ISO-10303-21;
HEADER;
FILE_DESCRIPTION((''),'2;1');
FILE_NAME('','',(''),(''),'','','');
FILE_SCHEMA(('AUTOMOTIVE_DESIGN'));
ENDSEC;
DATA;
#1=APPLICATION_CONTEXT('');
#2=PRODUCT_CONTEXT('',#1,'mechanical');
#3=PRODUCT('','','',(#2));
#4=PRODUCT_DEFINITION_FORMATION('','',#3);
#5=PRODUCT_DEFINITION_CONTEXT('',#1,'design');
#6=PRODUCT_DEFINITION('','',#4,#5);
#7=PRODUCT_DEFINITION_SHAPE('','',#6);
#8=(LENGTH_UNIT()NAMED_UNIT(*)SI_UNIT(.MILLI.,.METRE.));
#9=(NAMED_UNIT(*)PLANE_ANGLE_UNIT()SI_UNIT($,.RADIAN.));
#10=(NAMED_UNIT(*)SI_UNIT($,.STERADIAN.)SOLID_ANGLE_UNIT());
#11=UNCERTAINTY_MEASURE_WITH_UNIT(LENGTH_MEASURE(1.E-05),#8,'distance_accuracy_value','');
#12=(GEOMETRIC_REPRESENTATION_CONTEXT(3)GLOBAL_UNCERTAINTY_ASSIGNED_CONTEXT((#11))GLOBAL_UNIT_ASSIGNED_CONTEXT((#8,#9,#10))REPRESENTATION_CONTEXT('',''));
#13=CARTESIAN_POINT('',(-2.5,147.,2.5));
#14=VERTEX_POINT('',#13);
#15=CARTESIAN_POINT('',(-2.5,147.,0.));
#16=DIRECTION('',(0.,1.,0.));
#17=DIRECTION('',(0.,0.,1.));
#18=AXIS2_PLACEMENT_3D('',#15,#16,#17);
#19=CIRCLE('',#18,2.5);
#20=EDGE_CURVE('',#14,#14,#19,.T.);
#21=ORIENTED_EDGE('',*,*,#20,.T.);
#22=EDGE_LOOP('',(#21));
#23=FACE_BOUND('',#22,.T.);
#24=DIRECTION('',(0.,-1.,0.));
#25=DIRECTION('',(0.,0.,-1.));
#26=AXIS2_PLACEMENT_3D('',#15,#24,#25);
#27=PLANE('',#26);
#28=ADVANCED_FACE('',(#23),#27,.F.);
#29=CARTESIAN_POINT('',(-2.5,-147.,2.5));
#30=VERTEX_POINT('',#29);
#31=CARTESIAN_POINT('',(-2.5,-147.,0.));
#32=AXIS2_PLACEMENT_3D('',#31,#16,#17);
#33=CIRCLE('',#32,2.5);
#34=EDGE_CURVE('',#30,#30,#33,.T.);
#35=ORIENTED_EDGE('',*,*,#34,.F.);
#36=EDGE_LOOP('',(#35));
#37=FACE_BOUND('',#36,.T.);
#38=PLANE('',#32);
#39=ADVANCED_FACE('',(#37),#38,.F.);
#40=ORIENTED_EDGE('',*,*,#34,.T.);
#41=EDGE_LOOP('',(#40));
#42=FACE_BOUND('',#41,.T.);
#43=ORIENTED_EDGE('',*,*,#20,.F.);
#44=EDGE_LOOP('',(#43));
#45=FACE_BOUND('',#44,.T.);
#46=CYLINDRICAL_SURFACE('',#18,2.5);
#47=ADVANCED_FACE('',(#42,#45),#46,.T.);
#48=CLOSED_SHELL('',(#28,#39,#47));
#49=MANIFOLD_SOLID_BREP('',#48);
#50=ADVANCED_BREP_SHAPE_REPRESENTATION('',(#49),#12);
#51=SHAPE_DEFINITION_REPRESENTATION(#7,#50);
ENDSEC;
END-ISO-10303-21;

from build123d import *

# Parameters (mm, degrees)
SKETCH_2_W = 2.5
SKETCH_2_H = 294


with BuildPart() as part:
    # Эскиз2 → Повернуть1 (revolve)
    with BuildSketch(Plane.XY, mode=Mode.PRIVATE) as revolve_1_sk:
        with Locations((-1.25, 0)):
            Rectangle(SKETCH_2_W, SKETCH_2_H)
    revolve(revolve_1_sk.sketch.rotate(Axis((-2.5, 147, 0), (0, -1, 0)), 90), axis=Axis((-2.5, 147, 0), (0, -1, 0)))


solid = part.part
